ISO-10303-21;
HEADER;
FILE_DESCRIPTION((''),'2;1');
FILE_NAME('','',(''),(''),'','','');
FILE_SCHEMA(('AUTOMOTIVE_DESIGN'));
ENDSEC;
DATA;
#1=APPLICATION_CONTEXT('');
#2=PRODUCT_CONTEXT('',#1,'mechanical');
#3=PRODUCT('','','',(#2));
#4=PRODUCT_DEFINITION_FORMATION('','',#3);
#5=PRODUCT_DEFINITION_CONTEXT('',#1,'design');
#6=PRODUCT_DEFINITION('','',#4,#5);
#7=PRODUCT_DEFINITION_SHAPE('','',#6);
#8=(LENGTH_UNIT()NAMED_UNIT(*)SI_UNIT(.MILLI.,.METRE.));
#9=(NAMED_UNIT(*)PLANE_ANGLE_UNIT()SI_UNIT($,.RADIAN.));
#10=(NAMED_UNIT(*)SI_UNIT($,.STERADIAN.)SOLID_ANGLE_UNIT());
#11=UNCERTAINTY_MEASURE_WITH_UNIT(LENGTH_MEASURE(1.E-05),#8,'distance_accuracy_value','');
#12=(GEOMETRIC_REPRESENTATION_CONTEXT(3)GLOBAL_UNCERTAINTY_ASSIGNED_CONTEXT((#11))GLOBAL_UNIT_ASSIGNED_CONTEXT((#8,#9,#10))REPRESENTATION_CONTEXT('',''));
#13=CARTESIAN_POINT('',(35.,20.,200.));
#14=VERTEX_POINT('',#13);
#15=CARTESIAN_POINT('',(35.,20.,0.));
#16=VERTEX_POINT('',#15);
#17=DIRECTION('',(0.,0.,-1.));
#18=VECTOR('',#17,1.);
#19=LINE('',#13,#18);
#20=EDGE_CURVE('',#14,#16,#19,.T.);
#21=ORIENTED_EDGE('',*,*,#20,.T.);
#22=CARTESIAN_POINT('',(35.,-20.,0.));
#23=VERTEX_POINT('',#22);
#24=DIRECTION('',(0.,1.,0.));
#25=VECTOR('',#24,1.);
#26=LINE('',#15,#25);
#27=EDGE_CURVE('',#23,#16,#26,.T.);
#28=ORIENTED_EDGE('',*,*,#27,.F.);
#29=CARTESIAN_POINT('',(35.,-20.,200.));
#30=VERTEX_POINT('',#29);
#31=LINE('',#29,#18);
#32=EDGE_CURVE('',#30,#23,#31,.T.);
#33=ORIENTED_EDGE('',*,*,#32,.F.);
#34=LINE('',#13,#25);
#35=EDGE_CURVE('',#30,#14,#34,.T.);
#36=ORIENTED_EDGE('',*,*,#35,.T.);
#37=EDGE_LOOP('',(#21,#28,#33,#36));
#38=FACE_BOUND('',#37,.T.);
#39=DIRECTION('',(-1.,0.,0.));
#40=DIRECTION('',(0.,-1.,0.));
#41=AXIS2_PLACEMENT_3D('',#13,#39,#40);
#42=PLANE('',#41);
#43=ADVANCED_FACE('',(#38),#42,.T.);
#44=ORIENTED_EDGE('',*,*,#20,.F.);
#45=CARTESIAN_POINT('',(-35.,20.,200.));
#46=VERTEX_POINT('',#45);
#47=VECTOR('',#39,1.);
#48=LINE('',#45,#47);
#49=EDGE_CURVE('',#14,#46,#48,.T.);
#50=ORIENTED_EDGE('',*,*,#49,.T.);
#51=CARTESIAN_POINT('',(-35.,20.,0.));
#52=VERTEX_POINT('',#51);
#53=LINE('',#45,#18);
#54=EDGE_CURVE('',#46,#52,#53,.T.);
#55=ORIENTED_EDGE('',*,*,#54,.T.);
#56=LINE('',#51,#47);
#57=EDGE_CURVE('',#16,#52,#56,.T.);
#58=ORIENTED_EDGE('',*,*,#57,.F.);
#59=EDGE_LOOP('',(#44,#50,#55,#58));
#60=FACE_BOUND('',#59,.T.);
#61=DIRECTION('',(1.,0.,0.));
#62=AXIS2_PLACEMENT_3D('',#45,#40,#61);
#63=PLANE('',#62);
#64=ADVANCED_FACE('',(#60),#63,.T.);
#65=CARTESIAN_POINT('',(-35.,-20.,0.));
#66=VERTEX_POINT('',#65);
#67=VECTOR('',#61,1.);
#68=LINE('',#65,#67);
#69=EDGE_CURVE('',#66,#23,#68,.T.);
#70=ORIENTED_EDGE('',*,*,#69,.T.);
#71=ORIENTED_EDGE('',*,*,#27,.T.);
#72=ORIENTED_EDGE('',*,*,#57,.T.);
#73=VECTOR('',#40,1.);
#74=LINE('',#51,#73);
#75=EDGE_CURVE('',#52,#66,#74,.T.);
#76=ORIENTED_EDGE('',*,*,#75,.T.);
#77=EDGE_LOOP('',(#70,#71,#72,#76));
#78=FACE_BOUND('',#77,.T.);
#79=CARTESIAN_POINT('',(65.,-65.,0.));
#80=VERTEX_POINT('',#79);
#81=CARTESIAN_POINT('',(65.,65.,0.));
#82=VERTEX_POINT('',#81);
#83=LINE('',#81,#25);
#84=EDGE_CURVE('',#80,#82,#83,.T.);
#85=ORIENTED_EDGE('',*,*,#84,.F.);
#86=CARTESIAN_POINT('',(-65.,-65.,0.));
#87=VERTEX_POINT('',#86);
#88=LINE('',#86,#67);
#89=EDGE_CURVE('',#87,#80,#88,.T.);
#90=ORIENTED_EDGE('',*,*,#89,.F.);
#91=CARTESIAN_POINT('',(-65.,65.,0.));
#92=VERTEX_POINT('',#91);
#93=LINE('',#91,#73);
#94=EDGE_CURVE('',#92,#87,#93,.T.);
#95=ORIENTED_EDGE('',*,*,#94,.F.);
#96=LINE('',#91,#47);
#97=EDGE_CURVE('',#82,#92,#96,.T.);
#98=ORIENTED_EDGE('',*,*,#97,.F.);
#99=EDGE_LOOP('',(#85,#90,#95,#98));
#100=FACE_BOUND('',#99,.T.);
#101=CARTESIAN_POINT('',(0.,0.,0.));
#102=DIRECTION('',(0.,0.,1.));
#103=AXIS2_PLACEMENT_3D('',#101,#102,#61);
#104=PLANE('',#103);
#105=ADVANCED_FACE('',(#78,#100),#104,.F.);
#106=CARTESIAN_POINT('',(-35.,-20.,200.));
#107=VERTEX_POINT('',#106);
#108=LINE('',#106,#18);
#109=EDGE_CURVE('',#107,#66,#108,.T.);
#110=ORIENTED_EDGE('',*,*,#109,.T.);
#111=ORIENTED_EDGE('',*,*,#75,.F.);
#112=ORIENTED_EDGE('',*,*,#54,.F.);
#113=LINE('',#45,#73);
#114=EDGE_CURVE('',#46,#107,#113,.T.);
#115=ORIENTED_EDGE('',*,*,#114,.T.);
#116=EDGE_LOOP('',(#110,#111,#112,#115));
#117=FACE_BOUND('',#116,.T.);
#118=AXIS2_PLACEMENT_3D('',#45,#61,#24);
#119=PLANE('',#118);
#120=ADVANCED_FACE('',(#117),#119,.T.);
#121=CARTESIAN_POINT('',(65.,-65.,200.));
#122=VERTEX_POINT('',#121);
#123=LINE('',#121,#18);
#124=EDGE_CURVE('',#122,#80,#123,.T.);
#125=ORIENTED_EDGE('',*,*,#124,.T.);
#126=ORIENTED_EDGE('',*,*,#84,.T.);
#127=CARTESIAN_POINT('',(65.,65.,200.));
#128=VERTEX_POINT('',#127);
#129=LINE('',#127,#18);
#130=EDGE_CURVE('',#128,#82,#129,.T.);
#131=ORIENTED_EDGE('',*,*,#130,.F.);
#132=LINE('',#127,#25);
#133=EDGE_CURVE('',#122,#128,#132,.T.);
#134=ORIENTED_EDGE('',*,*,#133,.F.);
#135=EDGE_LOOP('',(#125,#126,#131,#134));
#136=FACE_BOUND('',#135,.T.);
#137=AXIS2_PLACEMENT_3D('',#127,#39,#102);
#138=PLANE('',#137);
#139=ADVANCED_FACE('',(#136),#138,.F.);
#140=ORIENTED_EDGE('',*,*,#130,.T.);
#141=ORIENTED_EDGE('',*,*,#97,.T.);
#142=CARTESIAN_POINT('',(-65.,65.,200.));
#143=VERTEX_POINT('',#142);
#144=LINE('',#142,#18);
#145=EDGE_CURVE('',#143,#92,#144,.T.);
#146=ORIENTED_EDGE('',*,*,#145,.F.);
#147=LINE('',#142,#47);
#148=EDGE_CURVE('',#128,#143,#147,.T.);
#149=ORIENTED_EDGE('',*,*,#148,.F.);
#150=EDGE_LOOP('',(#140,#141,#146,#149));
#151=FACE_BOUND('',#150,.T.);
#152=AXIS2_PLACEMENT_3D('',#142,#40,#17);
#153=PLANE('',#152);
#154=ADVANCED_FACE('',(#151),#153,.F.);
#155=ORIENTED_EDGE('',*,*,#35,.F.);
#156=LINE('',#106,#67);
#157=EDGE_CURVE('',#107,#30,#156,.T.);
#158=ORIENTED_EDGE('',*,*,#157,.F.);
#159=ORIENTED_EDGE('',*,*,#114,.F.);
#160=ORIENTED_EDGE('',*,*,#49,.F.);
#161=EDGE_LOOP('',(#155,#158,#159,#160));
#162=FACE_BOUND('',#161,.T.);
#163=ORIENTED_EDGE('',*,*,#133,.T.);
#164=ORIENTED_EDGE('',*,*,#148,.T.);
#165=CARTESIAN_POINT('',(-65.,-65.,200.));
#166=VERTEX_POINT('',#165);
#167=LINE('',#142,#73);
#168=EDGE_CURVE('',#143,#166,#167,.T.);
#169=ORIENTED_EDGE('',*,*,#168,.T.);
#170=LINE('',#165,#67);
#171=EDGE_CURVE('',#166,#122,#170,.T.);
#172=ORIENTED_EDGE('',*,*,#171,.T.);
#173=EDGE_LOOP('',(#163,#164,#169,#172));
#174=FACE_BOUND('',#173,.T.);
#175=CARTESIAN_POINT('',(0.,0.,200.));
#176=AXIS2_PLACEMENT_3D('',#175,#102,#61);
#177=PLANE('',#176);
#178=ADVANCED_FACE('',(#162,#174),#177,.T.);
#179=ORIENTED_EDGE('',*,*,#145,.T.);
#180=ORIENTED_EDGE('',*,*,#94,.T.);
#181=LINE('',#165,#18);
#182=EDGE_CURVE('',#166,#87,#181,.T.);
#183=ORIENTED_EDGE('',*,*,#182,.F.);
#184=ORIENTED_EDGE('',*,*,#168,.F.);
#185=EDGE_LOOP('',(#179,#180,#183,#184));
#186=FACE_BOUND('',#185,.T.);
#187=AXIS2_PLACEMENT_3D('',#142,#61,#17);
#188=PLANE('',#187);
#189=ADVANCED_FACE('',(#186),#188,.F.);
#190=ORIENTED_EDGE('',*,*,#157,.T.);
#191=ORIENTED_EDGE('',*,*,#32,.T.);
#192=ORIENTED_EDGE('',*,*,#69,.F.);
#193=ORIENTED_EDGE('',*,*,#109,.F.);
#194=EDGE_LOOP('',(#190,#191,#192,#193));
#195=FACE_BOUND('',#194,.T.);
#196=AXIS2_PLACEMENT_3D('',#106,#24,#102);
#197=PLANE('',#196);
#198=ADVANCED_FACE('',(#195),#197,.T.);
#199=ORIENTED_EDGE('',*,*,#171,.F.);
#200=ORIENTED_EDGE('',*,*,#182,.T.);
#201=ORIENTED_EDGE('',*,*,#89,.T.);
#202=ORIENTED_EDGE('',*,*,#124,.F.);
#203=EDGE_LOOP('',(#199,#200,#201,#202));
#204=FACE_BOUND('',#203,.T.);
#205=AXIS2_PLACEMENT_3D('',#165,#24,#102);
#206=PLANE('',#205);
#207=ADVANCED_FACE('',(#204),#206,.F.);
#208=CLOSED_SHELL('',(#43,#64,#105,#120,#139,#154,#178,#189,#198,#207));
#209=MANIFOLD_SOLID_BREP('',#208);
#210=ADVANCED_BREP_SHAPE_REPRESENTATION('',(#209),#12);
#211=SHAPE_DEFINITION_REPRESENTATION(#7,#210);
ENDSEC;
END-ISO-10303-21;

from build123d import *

# Parameters (mm, degrees)
SKETCH_1_W      = 130
SKETCH_1_H      = 130
SKETCH_1_W_2    = 70
SKETCH_1_H_2    = 40
EXTRUDE_1_DEPTH = 200


with BuildPart() as part:
    # 스케치1 → 보스-돌출1 (new body)
    with BuildSketch(Plane.XY):
        Rectangle(SKETCH_1_W, SKETCH_1_H)
        Rectangle(SKETCH_1_W_2, SKETCH_1_H_2, mode=Mode.SUBTRACT)
    extrude(amount=EXTRUDE_1_DEPTH)


solid = part.part
